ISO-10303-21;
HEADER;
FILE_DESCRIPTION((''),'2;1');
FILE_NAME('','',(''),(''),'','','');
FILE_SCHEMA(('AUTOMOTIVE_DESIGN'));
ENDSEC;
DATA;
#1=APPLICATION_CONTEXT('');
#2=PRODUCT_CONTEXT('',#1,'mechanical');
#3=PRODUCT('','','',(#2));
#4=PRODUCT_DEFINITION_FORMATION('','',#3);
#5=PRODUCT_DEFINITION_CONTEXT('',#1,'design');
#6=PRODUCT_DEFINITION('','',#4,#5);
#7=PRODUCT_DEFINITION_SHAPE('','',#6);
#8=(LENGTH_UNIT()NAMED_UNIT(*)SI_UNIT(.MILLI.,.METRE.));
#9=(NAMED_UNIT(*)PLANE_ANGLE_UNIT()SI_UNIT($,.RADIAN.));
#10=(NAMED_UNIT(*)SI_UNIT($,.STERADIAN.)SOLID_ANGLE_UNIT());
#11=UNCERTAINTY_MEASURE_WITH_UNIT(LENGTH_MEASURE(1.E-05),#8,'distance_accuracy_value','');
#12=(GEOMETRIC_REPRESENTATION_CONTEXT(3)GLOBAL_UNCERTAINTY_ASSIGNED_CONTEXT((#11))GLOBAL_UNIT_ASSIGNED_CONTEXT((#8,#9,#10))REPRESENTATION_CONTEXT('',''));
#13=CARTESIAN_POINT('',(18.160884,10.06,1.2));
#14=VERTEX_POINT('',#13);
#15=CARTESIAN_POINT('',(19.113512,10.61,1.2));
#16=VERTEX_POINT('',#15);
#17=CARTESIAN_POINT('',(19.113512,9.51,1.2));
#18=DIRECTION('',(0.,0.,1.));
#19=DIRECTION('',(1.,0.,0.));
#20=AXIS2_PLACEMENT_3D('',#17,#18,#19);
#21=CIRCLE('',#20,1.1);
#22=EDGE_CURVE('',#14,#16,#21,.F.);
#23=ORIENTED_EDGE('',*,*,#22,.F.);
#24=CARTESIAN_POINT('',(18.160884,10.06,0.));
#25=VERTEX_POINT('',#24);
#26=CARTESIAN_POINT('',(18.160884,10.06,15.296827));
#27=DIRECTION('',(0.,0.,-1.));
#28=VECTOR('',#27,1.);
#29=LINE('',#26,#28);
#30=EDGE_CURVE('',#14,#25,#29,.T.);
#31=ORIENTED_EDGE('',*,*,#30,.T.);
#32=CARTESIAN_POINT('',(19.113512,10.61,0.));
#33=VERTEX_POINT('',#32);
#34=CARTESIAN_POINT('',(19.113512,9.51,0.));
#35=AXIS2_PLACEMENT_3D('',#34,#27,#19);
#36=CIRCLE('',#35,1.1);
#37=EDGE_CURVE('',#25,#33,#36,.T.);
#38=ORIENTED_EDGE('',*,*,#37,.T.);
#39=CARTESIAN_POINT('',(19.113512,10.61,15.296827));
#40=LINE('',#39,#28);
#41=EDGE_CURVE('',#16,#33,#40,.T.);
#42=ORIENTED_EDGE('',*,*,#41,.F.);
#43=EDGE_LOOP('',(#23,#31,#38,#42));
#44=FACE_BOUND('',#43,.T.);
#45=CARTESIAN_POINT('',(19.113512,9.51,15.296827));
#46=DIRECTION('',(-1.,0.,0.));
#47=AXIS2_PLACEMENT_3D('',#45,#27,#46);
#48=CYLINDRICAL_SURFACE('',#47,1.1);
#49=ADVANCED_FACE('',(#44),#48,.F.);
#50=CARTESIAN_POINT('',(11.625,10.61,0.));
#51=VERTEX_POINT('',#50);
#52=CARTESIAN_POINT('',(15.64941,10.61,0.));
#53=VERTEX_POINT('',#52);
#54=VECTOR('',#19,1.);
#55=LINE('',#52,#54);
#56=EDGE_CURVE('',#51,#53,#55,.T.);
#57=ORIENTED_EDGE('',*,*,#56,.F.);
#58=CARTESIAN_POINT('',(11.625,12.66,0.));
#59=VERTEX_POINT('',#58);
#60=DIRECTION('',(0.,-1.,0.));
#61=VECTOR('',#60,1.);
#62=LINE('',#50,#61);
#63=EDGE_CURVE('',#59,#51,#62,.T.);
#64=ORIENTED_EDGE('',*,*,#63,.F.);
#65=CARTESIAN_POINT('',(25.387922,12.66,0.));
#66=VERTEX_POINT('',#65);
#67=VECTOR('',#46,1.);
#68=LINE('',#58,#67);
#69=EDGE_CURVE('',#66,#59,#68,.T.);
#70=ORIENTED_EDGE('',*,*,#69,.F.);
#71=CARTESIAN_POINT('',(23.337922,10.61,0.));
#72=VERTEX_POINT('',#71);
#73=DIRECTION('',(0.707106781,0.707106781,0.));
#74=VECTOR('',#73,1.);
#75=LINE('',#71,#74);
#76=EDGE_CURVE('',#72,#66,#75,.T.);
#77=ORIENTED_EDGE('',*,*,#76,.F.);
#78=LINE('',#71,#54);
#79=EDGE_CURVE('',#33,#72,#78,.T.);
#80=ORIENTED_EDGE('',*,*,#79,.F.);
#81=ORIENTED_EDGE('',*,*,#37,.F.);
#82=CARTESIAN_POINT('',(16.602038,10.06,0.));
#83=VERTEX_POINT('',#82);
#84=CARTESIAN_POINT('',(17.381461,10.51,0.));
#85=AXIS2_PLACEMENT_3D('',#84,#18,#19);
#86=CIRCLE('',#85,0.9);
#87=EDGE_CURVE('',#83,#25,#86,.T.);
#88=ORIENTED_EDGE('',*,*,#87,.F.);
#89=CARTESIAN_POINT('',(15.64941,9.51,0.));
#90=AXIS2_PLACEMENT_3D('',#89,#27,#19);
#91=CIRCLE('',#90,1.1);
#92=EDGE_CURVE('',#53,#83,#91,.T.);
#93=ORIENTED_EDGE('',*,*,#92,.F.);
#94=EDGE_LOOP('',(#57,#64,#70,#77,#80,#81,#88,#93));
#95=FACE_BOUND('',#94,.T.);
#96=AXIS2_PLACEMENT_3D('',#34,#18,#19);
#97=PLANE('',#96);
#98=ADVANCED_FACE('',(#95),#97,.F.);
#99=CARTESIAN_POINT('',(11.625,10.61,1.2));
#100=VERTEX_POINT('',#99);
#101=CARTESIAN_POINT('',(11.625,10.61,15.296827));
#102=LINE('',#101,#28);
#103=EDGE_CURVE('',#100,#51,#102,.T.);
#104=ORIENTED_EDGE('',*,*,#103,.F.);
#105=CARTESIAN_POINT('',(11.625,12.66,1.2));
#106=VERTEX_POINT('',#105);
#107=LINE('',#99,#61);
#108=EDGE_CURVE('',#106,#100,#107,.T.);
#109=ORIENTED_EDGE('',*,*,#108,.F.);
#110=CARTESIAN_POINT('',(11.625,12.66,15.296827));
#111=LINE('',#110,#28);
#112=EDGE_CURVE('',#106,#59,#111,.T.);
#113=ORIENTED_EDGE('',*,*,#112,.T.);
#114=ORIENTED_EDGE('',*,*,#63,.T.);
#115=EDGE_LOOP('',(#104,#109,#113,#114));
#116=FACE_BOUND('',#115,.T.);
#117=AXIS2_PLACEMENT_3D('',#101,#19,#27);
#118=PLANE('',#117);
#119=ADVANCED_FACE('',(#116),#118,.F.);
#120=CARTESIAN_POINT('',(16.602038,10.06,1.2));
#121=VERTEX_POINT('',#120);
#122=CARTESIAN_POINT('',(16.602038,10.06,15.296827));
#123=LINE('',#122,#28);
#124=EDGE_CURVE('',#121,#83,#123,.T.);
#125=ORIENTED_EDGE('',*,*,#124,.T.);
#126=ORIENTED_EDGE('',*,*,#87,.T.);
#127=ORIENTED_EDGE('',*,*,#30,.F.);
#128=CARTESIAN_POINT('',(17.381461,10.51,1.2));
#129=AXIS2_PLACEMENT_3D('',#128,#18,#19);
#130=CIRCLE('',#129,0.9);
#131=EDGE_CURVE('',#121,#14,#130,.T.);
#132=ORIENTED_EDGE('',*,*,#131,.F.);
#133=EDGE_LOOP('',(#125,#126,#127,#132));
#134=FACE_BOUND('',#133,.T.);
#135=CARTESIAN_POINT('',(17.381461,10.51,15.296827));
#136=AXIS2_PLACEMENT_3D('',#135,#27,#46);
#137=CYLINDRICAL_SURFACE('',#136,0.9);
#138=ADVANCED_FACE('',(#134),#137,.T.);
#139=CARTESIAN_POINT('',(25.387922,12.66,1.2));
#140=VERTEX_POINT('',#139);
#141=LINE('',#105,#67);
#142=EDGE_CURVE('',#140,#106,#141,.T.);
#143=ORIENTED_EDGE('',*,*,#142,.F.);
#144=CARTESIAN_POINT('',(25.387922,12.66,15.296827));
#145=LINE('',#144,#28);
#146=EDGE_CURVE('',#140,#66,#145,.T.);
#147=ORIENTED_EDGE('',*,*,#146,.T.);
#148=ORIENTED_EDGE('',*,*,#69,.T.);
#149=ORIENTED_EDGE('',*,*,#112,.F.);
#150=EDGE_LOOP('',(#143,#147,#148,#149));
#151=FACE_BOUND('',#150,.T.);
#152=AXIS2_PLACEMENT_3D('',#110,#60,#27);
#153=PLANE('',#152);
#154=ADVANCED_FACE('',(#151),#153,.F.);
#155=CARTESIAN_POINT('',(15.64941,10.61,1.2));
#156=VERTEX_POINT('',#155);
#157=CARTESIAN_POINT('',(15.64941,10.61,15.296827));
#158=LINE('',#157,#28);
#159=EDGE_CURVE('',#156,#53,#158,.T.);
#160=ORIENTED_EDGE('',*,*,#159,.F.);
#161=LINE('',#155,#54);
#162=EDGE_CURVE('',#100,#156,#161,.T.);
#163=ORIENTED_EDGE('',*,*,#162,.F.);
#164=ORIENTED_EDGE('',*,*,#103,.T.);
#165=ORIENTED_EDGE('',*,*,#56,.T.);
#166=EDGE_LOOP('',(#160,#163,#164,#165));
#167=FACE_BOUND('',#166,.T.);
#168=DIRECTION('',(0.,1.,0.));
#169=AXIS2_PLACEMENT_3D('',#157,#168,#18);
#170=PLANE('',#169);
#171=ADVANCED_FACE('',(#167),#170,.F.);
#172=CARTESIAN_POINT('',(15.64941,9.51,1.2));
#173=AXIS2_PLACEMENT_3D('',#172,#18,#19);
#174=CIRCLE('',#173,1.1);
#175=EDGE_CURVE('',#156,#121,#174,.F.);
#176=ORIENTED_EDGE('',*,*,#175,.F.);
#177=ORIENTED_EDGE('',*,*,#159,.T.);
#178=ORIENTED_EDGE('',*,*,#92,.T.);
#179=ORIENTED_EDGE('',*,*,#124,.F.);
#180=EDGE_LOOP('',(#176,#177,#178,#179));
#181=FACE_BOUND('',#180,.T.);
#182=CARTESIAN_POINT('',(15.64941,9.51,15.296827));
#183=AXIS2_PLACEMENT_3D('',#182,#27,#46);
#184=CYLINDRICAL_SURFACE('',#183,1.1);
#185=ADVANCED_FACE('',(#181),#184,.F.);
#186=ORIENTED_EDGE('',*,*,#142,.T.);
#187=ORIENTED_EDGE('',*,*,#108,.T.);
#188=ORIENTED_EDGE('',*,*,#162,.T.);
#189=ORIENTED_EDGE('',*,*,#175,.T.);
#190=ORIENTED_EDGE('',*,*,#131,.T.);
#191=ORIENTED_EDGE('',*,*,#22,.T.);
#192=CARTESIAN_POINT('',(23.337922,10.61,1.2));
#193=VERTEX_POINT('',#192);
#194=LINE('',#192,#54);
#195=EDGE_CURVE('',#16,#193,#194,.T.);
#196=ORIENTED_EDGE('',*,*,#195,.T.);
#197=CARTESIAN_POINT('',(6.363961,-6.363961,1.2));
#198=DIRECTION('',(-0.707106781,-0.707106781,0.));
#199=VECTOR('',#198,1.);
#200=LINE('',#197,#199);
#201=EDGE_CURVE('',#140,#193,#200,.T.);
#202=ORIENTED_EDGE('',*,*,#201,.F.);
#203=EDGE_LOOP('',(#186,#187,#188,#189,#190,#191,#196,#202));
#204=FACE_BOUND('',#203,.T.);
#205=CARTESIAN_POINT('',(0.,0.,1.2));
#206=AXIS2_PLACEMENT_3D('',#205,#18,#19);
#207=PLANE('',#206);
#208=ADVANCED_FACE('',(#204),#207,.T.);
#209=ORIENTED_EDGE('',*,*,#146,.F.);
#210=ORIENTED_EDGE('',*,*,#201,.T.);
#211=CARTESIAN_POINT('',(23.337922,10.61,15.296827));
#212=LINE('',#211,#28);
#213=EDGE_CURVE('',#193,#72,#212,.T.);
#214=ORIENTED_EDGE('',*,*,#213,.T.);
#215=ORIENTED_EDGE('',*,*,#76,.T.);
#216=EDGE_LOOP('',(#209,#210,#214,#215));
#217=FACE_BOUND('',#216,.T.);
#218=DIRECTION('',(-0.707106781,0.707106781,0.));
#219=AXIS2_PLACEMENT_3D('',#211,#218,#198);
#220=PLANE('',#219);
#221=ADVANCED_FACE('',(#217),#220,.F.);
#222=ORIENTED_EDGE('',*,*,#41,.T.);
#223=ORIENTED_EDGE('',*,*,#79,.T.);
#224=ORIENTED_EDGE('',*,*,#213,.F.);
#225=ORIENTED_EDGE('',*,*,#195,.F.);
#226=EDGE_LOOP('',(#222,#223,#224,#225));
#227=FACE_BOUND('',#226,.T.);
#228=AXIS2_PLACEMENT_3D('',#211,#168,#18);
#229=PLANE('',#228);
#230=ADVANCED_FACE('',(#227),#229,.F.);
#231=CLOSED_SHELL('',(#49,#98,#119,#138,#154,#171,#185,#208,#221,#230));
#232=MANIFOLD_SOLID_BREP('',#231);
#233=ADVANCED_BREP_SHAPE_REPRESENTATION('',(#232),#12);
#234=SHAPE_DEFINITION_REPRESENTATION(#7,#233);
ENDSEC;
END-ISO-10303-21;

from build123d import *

# Parameters (mm, degrees)
BOSS_EXTRUDE1_DEPTH = 1.2


with BuildPart() as part:
    # Sketch1 → Boss-Extrude1 (new body)
    with BuildSketch(Plane.XY):
        with BuildLine():
            Line((23.337922061, 10.61), (25.387922061, 12.66))
            Line((25.387922061, 12.66), (11.625, 12.66))
            Line((11.625, 12.66), (11.625, 10.61))
            Line((11.625, 10.61), (15.649410223, 10.61))
            ThreePointArc((15.649410223, 10.61), (16.199410223, 10.462627944), (16.602038167, 10.06))
            ThreePointArc((16.602038167, 10.06), (17.381461031, 9.61), (18.160883894, 10.06))
            ThreePointArc((18.160883894, 10.06), (18.563511838, 10.462627944), (19.113511838, 10.61))
            Line((19.113511838, 10.61), (23.337922061, 10.61))
        make_face()
    extrude(amount=BOSS_EXTRUDE1_DEPTH)


solid = part.part
